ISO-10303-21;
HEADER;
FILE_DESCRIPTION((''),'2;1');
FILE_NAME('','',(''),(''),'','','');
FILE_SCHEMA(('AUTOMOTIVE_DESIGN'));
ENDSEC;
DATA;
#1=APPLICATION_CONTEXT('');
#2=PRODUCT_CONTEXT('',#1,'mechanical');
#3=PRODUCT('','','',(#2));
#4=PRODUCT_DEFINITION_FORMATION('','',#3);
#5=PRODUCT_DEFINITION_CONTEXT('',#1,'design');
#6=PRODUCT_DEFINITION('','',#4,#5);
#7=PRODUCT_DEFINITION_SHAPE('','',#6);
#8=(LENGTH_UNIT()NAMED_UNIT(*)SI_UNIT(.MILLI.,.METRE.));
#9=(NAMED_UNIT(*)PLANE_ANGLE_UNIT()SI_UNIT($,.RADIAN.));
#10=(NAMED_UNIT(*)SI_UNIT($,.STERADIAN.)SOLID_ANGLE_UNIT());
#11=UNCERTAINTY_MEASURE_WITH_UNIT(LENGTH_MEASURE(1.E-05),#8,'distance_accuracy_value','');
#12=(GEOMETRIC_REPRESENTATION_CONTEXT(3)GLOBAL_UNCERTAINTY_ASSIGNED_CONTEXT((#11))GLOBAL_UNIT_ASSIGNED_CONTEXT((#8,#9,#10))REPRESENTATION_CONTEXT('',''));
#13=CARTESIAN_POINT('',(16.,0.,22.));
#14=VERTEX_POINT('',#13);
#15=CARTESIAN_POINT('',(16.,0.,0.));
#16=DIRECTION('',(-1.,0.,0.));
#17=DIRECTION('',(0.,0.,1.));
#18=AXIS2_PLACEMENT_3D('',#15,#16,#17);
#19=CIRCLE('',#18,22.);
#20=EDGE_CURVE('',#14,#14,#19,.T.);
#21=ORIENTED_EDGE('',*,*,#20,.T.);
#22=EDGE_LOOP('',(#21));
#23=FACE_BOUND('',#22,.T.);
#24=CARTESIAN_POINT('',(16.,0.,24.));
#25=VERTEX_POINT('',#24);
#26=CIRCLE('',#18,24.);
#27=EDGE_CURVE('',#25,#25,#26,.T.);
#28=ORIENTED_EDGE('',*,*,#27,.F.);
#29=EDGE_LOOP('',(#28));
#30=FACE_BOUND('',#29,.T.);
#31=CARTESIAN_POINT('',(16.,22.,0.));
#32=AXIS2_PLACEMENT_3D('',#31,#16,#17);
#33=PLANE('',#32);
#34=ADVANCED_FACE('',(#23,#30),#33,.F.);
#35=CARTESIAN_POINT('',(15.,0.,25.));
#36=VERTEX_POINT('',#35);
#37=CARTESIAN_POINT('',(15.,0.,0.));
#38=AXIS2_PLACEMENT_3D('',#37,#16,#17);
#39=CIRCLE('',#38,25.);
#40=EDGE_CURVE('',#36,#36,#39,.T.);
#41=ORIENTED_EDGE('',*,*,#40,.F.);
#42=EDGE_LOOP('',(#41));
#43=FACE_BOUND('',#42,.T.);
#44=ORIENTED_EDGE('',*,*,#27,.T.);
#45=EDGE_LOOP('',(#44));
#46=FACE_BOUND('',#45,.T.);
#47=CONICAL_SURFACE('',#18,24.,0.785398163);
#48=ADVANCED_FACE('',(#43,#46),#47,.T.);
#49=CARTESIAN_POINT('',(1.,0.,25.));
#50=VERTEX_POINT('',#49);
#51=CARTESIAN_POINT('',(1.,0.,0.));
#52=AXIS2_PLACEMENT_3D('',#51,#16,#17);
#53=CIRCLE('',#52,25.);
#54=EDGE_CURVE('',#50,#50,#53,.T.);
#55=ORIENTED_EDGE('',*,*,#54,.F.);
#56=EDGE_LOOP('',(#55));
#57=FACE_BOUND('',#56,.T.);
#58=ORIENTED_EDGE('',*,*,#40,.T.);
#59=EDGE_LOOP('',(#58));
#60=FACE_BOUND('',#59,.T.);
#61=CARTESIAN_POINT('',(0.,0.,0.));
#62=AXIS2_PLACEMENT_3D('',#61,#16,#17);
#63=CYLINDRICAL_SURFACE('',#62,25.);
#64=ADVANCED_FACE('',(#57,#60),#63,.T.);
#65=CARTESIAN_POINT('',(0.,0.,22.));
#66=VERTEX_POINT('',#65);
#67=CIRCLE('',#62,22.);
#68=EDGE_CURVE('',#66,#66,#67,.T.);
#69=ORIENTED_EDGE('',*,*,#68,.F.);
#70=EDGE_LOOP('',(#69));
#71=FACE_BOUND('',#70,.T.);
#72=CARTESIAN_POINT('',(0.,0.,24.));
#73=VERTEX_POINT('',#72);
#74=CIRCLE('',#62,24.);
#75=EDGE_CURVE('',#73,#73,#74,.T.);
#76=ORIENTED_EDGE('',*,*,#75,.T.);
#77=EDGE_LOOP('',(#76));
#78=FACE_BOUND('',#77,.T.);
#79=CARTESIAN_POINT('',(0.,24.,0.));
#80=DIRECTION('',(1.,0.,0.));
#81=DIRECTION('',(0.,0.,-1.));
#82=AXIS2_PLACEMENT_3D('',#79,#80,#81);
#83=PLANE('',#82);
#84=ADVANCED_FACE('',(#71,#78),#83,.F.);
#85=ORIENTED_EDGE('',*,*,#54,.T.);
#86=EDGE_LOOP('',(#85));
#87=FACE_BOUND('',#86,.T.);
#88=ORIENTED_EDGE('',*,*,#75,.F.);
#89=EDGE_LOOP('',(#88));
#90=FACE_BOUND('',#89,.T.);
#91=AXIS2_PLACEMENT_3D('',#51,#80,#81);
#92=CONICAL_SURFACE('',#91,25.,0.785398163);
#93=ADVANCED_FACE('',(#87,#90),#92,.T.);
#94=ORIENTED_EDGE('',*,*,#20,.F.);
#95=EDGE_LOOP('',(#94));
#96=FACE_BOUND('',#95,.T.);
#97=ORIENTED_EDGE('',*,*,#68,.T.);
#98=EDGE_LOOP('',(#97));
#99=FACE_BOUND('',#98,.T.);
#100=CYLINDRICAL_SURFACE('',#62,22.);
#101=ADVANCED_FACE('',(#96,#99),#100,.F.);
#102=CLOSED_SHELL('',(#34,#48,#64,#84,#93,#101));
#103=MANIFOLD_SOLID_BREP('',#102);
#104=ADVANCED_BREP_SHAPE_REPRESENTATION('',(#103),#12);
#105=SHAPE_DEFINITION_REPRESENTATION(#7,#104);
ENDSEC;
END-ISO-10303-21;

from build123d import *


with BuildPart() as part:
    # Esquisse1 → Base-Révolution (revolve)
    with BuildSketch(Plane.XY, mode=Mode.PRIVATE) as base_r_volution_sk:
        Polygon((0, 22), (16, 22), (16, 24), (15, 25), (1, 25), (0, 24), align=None)
    revolve(base_r_volution_sk.sketch.rotate(Axis((0, 0, 0), (1, 0, 0)), 90), axis=Axis((0, 0, 0), (1, 0, 0)))


solid = part.part
